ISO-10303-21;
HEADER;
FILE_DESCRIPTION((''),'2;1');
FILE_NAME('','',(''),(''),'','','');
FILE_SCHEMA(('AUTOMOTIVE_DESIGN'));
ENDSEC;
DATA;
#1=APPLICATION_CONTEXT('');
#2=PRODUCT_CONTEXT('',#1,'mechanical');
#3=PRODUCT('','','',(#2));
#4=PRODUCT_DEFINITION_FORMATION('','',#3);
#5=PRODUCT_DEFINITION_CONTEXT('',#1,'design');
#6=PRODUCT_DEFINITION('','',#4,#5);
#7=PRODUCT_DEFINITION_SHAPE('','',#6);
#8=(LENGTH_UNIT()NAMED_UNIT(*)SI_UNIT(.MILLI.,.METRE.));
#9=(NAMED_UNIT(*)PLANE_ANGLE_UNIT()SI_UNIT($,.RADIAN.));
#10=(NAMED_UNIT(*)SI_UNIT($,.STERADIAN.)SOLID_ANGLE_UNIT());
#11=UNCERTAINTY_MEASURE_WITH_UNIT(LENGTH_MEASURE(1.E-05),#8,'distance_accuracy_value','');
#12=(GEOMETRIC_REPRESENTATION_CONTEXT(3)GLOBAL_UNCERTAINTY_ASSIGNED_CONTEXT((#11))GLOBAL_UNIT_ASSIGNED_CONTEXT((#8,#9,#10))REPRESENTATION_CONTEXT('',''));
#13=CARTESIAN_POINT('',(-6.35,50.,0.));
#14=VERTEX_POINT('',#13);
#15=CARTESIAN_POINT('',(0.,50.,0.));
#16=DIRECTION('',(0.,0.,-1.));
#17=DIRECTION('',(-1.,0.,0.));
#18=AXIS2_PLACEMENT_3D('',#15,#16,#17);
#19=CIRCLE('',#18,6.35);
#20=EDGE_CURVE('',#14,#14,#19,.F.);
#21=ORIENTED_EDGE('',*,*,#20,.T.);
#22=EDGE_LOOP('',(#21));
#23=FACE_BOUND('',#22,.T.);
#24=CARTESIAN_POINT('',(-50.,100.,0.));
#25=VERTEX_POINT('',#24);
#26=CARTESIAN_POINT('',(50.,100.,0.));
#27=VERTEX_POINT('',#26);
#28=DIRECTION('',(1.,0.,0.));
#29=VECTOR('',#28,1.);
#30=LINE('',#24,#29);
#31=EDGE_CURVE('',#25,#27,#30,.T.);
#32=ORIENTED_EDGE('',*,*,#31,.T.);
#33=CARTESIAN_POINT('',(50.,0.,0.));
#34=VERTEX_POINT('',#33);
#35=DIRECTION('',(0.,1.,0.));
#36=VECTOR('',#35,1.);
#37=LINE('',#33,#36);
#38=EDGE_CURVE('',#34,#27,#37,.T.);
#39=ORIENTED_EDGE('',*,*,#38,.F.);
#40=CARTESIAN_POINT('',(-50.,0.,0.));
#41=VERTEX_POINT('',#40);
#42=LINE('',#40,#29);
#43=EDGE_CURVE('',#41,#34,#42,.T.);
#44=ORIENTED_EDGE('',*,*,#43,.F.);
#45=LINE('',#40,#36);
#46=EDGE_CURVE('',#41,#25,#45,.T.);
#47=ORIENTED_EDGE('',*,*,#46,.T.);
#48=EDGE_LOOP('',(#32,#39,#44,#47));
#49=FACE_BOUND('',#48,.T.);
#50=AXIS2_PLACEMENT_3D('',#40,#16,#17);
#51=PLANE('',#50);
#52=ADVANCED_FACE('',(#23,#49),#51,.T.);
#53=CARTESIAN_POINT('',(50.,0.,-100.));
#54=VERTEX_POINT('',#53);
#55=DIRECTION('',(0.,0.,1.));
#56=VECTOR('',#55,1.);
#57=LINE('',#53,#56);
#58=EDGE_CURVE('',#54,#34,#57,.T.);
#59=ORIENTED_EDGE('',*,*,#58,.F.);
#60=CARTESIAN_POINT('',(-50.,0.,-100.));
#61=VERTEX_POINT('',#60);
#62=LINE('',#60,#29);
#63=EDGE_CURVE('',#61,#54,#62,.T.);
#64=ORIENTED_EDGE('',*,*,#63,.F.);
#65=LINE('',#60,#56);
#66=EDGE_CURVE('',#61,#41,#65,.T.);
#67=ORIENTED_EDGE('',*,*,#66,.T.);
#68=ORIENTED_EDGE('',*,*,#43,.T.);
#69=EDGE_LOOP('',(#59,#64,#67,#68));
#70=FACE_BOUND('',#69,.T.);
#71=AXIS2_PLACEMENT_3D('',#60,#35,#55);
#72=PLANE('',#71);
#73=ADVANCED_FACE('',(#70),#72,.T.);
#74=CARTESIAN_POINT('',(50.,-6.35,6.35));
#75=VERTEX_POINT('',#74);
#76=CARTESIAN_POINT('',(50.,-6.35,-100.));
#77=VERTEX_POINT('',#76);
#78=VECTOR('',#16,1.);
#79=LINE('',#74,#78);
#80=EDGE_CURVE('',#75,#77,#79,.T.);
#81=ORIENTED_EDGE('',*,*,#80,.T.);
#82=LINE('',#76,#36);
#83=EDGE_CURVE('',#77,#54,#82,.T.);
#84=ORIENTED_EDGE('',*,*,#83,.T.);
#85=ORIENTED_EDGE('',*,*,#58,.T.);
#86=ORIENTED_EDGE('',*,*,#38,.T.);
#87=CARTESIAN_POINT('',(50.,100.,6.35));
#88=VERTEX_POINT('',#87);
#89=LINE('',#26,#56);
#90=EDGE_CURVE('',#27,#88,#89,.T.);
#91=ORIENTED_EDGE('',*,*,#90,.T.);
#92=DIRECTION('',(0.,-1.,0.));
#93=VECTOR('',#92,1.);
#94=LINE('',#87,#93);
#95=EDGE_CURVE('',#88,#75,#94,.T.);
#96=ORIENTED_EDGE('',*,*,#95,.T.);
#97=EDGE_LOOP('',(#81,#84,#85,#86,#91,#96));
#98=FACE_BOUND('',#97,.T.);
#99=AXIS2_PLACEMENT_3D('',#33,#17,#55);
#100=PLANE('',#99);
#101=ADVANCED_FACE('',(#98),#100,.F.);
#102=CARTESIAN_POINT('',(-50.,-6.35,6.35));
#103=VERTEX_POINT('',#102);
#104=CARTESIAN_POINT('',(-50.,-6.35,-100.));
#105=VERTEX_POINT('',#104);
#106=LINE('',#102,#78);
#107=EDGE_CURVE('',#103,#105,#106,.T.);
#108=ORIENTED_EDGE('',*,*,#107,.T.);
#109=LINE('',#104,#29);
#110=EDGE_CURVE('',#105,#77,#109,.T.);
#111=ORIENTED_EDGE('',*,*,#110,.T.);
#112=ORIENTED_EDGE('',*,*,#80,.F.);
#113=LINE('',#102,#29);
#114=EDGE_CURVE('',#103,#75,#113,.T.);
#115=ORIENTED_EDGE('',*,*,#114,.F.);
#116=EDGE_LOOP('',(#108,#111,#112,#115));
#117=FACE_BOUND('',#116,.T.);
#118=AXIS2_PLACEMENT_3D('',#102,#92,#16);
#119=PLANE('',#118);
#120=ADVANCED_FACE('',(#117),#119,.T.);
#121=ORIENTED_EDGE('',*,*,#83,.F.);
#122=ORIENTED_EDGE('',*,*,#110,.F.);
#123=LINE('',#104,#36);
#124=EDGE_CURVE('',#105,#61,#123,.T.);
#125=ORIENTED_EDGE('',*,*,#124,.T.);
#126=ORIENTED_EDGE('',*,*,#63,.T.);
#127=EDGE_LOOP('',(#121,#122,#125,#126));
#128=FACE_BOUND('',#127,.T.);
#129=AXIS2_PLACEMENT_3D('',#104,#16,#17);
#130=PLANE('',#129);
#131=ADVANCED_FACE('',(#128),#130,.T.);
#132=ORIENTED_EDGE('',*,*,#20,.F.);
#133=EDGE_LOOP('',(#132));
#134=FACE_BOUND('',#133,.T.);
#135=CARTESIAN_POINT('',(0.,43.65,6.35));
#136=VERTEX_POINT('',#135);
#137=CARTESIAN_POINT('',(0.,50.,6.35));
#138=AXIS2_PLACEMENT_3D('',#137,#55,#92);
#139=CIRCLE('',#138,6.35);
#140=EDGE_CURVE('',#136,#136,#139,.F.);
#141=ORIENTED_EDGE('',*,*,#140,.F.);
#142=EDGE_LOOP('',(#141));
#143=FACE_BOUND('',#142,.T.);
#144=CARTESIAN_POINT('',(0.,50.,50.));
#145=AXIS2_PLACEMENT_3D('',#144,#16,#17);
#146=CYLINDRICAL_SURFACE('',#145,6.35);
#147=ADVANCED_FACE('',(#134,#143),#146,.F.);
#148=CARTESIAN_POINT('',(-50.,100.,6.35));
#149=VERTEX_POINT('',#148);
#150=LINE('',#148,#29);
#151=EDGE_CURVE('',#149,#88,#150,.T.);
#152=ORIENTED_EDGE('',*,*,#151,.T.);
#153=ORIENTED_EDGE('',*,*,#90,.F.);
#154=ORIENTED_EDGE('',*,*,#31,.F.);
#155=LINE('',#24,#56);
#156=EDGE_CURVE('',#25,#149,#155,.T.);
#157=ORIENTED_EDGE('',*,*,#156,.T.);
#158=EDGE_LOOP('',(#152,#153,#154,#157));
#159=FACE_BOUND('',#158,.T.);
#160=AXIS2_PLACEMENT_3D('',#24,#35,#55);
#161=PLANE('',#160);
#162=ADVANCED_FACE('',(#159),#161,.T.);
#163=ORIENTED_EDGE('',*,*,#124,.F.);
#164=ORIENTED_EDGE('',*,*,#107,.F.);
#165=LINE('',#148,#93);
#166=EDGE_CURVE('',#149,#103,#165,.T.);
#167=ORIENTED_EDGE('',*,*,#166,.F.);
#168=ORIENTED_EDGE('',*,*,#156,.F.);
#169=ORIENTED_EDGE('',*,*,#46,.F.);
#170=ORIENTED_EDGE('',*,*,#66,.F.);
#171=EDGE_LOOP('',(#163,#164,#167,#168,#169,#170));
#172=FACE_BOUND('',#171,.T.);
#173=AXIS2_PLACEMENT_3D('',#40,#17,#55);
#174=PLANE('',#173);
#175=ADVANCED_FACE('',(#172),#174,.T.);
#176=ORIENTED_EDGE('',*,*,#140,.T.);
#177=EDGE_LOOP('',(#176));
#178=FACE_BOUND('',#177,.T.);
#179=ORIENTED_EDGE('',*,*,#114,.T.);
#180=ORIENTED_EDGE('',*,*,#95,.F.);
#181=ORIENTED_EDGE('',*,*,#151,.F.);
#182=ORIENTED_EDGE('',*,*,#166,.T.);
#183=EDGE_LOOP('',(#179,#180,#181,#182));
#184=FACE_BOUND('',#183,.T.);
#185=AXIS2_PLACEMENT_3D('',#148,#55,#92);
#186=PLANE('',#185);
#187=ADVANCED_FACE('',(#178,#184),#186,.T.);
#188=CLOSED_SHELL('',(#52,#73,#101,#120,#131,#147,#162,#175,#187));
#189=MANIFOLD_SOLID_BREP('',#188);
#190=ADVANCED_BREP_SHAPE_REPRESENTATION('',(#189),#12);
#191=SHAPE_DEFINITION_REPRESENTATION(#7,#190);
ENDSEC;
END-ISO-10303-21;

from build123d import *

# Parameters (mm, degrees)
BOSS_EXTRUDE1_DEPTH      = 50
BOSS_EXTRUDE1_DEPTH_BACK = 50
CUT_EXTRUDE1_DEPTH       = 50
CUT_EXTRUDE1_DEPTH_BACK  = 50
SKETCH2_R                = 6.35


with BuildPart() as part:
    # Sketch1 → Boss-Extrude1 (new, two sides: drawn at the far end of the back side and taken through both)
    with BuildSketch(Plane(origin=(0, 0, 0), x_dir=(0, 0, -1), z_dir=(1, 0, 0)).offset(-BOSS_EXTRUDE1_DEPTH_BACK)):
        Polygon((0, 0), (0, 100), (-6.35, 100), (-6.35, -6.35), (100, -6.35), (100, 0), align=None)
    extrude(amount=BOSS_EXTRUDE1_DEPTH + BOSS_EXTRUDE1_DEPTH_BACK)

    # Sketch2 → Cut-Extrude1 (cut, two sides: drawn at the far end of the back side and taken through both)
    with BuildSketch(Plane.XY.offset(-CUT_EXTRUDE1_DEPTH_BACK)):
        with Locations((0, 50)):
            Circle(SKETCH2_R)
    extrude(amount=CUT_EXTRUDE1_DEPTH + CUT_EXTRUDE1_DEPTH_BACK, mode=Mode.SUBTRACT)


solid = part.part
